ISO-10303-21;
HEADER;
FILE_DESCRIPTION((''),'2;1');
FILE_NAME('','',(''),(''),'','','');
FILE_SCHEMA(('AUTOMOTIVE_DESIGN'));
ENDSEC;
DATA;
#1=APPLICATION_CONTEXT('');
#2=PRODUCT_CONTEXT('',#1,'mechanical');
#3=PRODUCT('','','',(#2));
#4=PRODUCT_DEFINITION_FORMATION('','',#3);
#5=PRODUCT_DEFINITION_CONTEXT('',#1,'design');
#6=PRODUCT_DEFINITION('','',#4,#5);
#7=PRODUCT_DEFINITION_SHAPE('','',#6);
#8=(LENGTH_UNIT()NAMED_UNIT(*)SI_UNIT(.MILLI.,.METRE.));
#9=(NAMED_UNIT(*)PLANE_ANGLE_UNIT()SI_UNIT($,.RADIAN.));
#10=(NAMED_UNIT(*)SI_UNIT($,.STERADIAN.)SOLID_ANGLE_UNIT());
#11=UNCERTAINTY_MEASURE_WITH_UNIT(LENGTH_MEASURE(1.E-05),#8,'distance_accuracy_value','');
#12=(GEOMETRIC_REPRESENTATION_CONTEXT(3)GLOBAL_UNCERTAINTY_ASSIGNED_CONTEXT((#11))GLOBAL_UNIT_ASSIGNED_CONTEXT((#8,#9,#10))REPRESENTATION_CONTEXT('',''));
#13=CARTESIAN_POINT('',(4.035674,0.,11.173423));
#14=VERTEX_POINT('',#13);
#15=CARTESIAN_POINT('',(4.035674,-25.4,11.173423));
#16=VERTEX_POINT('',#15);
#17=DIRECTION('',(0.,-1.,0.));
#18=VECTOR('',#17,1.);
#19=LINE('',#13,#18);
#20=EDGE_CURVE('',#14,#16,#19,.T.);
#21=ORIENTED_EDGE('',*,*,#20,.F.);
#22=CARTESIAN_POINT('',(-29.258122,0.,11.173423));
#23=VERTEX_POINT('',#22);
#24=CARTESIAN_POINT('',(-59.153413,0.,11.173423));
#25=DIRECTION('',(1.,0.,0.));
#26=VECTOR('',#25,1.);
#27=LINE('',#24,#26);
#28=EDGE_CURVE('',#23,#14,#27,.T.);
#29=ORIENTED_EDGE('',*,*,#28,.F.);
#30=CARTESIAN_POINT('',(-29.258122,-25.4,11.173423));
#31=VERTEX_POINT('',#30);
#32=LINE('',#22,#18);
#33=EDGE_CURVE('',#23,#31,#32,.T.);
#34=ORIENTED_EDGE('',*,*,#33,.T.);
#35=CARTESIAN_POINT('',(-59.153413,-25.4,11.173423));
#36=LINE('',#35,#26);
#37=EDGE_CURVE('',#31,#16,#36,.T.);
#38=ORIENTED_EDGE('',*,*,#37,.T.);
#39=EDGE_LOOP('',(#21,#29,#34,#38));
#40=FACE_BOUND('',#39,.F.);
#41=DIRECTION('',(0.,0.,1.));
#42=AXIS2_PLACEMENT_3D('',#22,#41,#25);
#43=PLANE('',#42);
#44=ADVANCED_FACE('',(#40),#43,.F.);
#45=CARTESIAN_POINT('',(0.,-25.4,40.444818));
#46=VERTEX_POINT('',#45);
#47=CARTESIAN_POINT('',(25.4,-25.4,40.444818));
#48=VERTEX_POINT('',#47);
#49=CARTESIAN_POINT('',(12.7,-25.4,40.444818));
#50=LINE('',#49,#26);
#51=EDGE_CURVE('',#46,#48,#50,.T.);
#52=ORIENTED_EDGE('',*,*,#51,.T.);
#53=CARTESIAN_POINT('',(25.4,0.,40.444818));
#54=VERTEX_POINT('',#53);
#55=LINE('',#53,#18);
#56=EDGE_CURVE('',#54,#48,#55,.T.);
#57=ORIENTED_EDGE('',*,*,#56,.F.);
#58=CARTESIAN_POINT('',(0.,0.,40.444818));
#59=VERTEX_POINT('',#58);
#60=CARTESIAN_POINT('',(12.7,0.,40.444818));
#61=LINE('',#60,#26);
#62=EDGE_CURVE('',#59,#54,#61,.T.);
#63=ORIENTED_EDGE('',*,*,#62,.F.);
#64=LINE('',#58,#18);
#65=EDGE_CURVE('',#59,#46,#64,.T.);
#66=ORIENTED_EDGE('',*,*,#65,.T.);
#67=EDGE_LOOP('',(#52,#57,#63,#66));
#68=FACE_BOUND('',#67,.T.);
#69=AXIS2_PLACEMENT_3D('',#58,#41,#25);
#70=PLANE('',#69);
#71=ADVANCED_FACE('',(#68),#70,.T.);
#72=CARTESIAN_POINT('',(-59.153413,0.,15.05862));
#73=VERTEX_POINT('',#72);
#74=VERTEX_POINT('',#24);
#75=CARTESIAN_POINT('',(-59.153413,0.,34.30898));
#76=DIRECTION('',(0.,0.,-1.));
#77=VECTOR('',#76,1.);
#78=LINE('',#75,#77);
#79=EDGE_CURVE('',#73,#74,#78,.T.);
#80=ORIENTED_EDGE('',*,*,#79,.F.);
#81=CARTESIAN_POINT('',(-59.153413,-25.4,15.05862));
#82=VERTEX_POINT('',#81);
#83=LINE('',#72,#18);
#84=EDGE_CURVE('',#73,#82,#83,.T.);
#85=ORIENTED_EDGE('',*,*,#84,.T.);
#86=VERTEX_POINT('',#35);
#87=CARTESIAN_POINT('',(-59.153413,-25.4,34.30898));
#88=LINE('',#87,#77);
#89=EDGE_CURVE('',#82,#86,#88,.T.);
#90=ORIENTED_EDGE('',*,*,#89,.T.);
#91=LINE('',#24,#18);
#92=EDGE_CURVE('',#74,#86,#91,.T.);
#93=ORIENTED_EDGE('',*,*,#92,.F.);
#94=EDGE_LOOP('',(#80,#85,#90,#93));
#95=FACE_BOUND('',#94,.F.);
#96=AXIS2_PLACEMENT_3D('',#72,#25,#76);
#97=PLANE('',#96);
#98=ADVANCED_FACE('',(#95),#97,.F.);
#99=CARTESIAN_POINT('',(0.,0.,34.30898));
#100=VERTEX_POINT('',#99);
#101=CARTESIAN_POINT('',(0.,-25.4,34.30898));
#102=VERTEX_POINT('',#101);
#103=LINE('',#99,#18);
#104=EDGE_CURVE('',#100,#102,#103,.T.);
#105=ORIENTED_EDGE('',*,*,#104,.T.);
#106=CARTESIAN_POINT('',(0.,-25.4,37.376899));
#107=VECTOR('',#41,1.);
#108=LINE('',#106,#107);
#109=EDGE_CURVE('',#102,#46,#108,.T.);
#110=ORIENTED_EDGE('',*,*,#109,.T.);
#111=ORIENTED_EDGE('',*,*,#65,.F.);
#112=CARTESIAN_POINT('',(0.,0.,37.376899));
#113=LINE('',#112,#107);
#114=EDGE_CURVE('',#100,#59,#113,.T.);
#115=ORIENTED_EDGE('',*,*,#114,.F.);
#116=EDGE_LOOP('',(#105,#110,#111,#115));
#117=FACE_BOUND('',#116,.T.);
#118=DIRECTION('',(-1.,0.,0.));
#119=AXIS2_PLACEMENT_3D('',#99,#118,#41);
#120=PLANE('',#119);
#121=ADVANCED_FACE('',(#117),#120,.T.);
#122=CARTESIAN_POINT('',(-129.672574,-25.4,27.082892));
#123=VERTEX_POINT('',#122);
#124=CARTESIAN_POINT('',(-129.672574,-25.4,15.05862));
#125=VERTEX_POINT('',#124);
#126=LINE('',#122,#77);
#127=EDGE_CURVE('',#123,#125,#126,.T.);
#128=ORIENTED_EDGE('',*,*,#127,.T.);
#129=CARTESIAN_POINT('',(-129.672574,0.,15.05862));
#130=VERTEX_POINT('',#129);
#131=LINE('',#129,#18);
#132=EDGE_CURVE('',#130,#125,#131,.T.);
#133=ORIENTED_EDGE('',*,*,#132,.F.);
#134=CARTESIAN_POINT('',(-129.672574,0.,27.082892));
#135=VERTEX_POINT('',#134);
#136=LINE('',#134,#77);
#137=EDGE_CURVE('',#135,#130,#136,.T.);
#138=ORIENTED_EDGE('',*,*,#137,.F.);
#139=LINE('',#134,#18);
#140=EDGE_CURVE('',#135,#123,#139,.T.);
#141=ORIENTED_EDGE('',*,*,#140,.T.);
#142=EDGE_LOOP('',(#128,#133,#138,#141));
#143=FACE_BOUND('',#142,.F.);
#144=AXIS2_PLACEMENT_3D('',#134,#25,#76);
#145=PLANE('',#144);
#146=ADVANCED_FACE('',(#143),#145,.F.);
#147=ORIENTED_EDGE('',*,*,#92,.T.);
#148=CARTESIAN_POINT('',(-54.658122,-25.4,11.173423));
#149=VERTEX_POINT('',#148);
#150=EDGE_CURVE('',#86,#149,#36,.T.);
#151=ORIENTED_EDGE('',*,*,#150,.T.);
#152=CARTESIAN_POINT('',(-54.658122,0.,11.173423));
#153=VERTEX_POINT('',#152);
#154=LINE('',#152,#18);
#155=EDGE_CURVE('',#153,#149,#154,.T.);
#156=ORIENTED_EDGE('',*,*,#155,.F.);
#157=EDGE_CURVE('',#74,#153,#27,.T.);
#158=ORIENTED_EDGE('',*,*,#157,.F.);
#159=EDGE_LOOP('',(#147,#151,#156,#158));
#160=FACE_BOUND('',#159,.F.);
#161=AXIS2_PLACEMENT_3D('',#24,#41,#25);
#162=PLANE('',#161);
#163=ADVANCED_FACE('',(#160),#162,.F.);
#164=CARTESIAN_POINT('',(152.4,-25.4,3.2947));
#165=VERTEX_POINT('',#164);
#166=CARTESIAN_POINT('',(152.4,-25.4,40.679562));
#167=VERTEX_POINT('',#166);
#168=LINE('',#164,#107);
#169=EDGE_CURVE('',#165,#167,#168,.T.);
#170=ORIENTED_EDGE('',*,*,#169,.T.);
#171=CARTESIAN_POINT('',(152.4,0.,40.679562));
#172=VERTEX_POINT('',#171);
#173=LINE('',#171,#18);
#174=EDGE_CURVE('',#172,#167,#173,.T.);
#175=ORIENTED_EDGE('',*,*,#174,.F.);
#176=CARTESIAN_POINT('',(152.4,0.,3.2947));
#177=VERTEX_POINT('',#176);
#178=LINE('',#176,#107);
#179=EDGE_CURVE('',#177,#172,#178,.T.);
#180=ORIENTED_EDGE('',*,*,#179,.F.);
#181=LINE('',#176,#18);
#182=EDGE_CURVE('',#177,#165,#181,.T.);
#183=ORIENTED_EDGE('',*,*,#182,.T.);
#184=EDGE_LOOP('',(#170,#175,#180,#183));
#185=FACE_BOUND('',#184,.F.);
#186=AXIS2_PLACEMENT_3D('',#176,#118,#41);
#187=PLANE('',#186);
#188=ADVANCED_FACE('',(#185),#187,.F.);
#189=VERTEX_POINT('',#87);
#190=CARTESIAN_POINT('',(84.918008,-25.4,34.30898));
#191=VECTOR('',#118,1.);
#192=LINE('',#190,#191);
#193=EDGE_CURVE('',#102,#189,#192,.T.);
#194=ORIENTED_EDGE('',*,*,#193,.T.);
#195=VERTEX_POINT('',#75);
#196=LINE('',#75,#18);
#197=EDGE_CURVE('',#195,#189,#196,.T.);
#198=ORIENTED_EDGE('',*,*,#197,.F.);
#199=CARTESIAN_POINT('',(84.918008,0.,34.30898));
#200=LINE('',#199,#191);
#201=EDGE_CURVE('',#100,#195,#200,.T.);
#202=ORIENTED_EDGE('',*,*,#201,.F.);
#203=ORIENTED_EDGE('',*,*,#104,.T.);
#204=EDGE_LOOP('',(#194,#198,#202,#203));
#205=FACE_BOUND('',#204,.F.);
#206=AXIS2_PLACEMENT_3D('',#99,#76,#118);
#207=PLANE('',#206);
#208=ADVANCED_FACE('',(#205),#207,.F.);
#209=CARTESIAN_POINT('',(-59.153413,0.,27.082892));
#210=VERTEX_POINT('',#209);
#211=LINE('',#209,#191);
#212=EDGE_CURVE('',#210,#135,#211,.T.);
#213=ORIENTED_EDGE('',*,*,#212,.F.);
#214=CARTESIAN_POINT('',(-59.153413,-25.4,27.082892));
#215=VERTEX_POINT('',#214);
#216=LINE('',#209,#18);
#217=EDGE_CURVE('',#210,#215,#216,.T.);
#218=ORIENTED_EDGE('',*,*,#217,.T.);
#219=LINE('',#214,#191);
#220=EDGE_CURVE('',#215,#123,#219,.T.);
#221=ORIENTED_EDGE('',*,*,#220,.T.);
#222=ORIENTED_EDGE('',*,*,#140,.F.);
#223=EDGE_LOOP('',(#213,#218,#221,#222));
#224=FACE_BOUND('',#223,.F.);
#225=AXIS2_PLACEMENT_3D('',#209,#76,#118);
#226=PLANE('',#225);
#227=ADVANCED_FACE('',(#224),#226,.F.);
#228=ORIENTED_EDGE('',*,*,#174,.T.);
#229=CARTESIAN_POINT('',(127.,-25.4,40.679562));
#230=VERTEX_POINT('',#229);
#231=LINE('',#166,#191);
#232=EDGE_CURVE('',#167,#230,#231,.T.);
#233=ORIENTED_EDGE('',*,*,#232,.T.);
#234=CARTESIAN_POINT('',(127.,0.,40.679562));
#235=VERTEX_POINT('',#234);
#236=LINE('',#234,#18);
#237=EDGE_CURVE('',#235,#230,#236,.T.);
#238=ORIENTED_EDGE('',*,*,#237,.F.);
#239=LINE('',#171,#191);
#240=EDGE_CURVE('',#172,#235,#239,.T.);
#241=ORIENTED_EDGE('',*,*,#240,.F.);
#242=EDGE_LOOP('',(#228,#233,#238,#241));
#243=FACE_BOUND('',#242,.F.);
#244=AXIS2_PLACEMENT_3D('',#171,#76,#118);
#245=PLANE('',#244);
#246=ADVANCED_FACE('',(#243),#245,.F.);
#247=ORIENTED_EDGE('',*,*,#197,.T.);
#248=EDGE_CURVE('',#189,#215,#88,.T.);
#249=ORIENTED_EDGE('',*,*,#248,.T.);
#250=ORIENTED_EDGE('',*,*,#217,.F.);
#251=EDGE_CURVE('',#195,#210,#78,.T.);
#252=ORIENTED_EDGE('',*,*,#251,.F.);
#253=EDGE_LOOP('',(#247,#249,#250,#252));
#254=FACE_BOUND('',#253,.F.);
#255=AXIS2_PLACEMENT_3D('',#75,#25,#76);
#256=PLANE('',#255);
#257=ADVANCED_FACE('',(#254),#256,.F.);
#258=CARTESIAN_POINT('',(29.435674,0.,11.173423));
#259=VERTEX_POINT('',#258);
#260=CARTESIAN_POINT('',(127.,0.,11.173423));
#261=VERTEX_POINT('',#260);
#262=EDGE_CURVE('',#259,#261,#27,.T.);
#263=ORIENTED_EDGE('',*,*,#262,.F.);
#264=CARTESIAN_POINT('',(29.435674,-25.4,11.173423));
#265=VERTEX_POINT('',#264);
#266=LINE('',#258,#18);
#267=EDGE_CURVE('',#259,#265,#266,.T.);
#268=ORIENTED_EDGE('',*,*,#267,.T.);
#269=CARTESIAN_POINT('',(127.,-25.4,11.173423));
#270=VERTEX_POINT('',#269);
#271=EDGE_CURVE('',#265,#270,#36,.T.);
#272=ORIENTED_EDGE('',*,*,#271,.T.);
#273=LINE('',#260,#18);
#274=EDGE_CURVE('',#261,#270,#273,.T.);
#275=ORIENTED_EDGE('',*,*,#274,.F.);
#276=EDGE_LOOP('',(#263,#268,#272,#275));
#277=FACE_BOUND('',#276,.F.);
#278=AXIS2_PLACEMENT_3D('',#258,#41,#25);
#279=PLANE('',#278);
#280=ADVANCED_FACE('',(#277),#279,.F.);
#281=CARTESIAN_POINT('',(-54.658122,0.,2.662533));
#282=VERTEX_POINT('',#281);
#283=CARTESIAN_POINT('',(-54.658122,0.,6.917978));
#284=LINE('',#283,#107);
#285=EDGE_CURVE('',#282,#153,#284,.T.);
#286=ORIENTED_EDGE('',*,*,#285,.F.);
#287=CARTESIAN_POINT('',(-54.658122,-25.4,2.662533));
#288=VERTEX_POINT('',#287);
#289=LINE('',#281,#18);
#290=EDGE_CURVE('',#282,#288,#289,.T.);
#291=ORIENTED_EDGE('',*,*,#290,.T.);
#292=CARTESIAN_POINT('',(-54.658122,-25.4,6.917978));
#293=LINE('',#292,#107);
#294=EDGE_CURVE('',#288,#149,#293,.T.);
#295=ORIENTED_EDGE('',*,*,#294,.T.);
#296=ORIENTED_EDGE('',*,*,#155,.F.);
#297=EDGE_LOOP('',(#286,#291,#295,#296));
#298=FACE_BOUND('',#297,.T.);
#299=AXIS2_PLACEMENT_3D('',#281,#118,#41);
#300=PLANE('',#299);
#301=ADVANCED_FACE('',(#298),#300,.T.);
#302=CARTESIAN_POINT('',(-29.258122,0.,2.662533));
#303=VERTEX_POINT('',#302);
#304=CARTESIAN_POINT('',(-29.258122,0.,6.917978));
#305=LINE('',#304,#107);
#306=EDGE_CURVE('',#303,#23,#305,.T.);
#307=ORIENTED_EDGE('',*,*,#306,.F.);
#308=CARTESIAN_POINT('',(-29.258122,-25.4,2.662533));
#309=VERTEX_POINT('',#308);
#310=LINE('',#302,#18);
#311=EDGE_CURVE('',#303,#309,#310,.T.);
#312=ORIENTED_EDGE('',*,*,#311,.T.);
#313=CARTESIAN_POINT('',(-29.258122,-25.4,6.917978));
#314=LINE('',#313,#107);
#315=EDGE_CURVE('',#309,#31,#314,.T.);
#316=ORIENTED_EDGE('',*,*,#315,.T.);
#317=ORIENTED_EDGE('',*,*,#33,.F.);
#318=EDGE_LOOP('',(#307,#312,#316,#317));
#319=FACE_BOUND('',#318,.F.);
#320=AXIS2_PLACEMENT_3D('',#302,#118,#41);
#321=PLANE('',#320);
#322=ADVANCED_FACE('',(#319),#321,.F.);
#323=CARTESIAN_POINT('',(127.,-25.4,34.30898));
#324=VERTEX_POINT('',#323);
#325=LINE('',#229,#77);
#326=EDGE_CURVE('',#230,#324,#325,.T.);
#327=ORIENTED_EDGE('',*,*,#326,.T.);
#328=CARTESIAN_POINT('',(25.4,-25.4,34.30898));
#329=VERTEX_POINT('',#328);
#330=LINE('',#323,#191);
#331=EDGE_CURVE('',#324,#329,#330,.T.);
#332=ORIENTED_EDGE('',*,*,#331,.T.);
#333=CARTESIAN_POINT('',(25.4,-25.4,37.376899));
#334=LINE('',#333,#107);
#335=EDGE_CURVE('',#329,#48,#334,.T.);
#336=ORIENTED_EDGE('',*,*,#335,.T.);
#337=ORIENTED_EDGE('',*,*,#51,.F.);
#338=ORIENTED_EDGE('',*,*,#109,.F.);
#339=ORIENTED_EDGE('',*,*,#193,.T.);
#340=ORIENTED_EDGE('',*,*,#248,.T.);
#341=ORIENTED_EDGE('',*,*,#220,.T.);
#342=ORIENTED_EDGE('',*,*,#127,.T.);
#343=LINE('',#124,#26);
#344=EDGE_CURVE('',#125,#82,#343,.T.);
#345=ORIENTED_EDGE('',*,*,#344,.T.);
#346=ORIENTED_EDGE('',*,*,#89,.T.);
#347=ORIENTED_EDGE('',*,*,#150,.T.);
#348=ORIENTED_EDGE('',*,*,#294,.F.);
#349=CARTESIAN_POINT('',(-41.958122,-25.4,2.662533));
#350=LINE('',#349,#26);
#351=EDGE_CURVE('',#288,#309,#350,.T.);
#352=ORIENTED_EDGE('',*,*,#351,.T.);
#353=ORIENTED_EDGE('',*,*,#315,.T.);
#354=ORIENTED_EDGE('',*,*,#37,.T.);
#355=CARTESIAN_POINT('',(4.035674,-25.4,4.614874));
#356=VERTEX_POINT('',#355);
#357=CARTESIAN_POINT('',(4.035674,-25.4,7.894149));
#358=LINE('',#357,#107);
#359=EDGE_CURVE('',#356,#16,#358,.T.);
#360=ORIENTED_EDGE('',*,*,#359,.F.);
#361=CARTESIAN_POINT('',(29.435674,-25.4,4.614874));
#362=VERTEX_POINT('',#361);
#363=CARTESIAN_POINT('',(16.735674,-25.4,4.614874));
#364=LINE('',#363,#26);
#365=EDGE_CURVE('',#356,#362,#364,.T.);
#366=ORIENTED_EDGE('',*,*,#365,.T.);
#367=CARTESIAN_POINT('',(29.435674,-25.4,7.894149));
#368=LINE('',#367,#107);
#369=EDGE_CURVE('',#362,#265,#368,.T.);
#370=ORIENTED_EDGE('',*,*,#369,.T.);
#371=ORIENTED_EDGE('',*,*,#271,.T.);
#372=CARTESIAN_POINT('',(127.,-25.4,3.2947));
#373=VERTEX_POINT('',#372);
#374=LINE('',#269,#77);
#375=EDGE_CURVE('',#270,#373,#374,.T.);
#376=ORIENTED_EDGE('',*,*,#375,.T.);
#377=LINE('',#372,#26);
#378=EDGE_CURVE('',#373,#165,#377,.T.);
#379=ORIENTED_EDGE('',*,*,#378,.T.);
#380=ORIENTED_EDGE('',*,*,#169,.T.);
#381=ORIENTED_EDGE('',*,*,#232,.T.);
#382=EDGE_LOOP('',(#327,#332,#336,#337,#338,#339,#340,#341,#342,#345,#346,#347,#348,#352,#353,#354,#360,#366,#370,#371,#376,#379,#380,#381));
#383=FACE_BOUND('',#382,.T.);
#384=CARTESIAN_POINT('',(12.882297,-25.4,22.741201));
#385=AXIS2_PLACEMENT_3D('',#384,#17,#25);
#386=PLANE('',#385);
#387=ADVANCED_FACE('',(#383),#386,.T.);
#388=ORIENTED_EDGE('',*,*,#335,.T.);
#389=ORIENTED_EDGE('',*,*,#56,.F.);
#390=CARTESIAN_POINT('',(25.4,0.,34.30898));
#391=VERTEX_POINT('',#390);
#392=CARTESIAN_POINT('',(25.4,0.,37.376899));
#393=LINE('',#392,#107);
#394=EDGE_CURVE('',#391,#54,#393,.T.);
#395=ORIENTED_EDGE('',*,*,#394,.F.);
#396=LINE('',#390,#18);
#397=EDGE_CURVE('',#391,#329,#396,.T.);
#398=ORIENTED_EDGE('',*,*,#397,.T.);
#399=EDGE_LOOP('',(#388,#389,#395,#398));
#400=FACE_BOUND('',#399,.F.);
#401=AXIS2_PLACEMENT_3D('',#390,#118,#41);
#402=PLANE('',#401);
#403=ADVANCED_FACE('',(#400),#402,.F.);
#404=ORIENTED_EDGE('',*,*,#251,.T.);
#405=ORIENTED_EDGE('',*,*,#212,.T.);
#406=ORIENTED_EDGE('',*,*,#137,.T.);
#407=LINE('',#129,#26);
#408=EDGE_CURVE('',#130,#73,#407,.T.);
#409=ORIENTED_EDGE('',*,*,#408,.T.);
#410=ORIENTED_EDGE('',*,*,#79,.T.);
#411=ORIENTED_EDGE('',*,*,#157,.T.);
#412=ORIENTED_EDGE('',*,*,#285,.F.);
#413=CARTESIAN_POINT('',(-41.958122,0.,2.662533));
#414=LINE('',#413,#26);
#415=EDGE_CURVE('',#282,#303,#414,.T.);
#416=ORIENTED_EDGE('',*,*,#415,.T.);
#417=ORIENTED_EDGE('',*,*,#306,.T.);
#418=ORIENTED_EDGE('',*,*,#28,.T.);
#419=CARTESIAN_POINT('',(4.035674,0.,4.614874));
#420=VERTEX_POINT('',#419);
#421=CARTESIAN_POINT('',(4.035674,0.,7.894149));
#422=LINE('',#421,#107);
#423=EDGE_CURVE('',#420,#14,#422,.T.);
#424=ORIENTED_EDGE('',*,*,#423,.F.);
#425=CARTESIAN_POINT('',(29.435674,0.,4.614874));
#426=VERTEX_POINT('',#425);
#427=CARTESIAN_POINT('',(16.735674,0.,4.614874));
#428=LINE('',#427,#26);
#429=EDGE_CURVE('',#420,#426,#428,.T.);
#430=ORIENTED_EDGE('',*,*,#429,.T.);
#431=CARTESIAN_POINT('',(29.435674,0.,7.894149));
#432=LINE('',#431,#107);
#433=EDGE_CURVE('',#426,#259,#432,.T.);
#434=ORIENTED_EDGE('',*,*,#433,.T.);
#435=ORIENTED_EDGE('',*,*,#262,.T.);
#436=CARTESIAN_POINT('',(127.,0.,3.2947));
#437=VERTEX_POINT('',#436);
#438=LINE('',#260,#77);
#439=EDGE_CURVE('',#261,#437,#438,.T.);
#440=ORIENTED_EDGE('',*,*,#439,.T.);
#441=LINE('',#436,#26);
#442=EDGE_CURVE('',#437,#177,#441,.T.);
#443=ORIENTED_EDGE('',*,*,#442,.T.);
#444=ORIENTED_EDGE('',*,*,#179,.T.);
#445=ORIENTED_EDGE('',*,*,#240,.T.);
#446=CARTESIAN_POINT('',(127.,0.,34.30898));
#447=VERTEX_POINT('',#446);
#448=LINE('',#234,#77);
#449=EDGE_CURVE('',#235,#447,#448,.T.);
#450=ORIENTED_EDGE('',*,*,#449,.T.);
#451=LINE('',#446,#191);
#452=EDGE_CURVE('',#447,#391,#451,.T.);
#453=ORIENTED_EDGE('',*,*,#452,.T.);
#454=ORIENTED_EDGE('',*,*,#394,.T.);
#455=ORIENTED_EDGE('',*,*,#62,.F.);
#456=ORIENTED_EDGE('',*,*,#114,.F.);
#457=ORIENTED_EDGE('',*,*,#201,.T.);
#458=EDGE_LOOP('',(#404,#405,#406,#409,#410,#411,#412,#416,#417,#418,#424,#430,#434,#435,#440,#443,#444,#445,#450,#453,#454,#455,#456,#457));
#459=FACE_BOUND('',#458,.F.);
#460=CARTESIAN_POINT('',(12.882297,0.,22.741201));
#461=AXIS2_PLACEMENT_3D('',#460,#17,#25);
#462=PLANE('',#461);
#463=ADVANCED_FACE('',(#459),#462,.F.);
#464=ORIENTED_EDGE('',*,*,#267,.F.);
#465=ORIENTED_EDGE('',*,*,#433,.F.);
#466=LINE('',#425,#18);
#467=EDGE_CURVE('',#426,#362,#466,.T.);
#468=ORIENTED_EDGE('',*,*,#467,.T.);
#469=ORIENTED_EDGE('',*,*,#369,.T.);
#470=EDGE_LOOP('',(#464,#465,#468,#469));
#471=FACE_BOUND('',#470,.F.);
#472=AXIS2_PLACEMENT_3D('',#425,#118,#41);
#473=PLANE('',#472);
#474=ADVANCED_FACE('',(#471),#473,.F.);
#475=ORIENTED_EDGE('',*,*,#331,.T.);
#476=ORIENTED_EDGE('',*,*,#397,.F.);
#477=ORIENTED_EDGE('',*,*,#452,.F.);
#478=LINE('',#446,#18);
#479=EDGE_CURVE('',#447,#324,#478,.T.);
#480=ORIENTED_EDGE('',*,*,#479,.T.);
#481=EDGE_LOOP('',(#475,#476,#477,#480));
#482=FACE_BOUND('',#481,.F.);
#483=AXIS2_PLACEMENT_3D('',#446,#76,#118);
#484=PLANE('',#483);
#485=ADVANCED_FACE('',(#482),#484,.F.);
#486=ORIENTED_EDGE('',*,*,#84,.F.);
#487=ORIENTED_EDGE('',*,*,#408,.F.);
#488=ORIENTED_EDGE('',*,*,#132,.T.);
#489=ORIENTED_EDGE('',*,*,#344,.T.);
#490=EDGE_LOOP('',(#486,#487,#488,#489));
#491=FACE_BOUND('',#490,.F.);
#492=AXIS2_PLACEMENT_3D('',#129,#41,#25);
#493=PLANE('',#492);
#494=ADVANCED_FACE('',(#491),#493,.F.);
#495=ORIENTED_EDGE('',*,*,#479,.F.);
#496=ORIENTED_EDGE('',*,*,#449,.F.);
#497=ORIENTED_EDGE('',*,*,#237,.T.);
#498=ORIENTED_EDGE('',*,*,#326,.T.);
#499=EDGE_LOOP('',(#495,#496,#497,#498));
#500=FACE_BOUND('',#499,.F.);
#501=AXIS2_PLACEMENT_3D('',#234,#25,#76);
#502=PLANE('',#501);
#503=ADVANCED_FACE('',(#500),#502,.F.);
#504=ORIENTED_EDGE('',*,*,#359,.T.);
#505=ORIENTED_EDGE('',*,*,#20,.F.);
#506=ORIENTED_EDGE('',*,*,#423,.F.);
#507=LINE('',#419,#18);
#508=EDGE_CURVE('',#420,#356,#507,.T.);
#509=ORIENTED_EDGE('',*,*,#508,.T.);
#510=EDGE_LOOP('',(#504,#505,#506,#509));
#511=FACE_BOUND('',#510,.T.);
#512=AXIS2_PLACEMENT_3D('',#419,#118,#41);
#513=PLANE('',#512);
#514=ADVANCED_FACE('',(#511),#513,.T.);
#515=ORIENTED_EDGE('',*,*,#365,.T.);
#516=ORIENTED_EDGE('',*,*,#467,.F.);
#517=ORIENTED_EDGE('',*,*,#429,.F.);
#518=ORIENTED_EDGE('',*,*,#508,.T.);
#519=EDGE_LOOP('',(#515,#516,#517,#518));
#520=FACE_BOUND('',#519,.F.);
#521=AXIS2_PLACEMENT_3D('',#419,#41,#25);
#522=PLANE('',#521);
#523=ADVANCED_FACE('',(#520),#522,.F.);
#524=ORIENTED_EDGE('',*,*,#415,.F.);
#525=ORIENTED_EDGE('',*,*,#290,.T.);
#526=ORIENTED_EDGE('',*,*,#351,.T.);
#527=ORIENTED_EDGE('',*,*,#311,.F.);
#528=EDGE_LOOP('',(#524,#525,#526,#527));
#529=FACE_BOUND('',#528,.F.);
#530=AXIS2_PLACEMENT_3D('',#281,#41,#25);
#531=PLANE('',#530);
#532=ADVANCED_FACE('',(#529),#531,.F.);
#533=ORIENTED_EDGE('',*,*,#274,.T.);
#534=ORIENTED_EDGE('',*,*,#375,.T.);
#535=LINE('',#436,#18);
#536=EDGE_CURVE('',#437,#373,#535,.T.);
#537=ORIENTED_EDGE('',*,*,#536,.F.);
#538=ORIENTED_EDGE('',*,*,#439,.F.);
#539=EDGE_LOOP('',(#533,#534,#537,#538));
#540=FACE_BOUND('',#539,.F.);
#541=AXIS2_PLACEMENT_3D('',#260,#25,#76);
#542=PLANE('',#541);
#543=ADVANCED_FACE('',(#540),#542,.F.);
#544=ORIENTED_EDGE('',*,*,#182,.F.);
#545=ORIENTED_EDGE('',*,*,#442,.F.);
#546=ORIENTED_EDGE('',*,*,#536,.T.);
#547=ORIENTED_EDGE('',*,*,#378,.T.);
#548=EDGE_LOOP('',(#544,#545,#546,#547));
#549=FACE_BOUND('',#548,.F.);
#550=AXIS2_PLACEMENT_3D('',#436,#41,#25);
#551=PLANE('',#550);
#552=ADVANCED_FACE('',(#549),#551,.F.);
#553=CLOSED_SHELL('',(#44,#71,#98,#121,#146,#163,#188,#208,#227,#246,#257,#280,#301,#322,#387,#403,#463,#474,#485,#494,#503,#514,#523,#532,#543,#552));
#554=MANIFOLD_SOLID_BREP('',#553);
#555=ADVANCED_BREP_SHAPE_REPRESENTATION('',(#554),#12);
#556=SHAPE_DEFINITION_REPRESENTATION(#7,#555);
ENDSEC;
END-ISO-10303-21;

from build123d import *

# Parameters (mm, degrees)
F0_W     = 25.4
F0_H     = 6.135838
F0_H_2   = 8.51089
F0_H_3   = 6.558549
F1_DEPTH = 25.4


with BuildPart() as f1:
    # F0 (on Front) → F1 (new body)
    with BuildSketch(Plane.XZ):
        Polygon((0, 34.30898), (-59.153413, 34.30898), (-59.153413, 27.082892), (-59.153413, 15.05862), (-59.153413, 11.173423), (-54.658122, 11.173423), (-29.258122, 11.173423), (4.035674, 11.173423), (29.435674, 11.173423), (84.918008, 11.173423), (84.918008, 34.30898), (25.4, 34.30898), align=None)
        with Locations((12.7, 37.376899)):
            Rectangle(F0_W, F0_H)
        Polygon((-59.153413, 15.05862), (-59.153413, 27.082892), (-129.672574, 27.082892), (-129.672574, 22.232148), (-129.672574, 15.05862), align=None)
        Polygon((127, 34.30898), (84.918008, 34.30898), (84.918008, 11.173423), (127, 11.173423), (127, 3.2947), (152.4, 3.2947), (152.4, 11.173423), (152.4, 34.30898), (152.4, 40.679562), (127, 40.679562), align=None)
        with Locations((-41.958122, 6.917978)):
            Rectangle(F0_W, F0_H_2)
        with Locations((16.735674, 7.894149)):
            Rectangle(F0_W, F0_H_3)
    extrude(amount=F1_DEPTH)


solid = f1.part
